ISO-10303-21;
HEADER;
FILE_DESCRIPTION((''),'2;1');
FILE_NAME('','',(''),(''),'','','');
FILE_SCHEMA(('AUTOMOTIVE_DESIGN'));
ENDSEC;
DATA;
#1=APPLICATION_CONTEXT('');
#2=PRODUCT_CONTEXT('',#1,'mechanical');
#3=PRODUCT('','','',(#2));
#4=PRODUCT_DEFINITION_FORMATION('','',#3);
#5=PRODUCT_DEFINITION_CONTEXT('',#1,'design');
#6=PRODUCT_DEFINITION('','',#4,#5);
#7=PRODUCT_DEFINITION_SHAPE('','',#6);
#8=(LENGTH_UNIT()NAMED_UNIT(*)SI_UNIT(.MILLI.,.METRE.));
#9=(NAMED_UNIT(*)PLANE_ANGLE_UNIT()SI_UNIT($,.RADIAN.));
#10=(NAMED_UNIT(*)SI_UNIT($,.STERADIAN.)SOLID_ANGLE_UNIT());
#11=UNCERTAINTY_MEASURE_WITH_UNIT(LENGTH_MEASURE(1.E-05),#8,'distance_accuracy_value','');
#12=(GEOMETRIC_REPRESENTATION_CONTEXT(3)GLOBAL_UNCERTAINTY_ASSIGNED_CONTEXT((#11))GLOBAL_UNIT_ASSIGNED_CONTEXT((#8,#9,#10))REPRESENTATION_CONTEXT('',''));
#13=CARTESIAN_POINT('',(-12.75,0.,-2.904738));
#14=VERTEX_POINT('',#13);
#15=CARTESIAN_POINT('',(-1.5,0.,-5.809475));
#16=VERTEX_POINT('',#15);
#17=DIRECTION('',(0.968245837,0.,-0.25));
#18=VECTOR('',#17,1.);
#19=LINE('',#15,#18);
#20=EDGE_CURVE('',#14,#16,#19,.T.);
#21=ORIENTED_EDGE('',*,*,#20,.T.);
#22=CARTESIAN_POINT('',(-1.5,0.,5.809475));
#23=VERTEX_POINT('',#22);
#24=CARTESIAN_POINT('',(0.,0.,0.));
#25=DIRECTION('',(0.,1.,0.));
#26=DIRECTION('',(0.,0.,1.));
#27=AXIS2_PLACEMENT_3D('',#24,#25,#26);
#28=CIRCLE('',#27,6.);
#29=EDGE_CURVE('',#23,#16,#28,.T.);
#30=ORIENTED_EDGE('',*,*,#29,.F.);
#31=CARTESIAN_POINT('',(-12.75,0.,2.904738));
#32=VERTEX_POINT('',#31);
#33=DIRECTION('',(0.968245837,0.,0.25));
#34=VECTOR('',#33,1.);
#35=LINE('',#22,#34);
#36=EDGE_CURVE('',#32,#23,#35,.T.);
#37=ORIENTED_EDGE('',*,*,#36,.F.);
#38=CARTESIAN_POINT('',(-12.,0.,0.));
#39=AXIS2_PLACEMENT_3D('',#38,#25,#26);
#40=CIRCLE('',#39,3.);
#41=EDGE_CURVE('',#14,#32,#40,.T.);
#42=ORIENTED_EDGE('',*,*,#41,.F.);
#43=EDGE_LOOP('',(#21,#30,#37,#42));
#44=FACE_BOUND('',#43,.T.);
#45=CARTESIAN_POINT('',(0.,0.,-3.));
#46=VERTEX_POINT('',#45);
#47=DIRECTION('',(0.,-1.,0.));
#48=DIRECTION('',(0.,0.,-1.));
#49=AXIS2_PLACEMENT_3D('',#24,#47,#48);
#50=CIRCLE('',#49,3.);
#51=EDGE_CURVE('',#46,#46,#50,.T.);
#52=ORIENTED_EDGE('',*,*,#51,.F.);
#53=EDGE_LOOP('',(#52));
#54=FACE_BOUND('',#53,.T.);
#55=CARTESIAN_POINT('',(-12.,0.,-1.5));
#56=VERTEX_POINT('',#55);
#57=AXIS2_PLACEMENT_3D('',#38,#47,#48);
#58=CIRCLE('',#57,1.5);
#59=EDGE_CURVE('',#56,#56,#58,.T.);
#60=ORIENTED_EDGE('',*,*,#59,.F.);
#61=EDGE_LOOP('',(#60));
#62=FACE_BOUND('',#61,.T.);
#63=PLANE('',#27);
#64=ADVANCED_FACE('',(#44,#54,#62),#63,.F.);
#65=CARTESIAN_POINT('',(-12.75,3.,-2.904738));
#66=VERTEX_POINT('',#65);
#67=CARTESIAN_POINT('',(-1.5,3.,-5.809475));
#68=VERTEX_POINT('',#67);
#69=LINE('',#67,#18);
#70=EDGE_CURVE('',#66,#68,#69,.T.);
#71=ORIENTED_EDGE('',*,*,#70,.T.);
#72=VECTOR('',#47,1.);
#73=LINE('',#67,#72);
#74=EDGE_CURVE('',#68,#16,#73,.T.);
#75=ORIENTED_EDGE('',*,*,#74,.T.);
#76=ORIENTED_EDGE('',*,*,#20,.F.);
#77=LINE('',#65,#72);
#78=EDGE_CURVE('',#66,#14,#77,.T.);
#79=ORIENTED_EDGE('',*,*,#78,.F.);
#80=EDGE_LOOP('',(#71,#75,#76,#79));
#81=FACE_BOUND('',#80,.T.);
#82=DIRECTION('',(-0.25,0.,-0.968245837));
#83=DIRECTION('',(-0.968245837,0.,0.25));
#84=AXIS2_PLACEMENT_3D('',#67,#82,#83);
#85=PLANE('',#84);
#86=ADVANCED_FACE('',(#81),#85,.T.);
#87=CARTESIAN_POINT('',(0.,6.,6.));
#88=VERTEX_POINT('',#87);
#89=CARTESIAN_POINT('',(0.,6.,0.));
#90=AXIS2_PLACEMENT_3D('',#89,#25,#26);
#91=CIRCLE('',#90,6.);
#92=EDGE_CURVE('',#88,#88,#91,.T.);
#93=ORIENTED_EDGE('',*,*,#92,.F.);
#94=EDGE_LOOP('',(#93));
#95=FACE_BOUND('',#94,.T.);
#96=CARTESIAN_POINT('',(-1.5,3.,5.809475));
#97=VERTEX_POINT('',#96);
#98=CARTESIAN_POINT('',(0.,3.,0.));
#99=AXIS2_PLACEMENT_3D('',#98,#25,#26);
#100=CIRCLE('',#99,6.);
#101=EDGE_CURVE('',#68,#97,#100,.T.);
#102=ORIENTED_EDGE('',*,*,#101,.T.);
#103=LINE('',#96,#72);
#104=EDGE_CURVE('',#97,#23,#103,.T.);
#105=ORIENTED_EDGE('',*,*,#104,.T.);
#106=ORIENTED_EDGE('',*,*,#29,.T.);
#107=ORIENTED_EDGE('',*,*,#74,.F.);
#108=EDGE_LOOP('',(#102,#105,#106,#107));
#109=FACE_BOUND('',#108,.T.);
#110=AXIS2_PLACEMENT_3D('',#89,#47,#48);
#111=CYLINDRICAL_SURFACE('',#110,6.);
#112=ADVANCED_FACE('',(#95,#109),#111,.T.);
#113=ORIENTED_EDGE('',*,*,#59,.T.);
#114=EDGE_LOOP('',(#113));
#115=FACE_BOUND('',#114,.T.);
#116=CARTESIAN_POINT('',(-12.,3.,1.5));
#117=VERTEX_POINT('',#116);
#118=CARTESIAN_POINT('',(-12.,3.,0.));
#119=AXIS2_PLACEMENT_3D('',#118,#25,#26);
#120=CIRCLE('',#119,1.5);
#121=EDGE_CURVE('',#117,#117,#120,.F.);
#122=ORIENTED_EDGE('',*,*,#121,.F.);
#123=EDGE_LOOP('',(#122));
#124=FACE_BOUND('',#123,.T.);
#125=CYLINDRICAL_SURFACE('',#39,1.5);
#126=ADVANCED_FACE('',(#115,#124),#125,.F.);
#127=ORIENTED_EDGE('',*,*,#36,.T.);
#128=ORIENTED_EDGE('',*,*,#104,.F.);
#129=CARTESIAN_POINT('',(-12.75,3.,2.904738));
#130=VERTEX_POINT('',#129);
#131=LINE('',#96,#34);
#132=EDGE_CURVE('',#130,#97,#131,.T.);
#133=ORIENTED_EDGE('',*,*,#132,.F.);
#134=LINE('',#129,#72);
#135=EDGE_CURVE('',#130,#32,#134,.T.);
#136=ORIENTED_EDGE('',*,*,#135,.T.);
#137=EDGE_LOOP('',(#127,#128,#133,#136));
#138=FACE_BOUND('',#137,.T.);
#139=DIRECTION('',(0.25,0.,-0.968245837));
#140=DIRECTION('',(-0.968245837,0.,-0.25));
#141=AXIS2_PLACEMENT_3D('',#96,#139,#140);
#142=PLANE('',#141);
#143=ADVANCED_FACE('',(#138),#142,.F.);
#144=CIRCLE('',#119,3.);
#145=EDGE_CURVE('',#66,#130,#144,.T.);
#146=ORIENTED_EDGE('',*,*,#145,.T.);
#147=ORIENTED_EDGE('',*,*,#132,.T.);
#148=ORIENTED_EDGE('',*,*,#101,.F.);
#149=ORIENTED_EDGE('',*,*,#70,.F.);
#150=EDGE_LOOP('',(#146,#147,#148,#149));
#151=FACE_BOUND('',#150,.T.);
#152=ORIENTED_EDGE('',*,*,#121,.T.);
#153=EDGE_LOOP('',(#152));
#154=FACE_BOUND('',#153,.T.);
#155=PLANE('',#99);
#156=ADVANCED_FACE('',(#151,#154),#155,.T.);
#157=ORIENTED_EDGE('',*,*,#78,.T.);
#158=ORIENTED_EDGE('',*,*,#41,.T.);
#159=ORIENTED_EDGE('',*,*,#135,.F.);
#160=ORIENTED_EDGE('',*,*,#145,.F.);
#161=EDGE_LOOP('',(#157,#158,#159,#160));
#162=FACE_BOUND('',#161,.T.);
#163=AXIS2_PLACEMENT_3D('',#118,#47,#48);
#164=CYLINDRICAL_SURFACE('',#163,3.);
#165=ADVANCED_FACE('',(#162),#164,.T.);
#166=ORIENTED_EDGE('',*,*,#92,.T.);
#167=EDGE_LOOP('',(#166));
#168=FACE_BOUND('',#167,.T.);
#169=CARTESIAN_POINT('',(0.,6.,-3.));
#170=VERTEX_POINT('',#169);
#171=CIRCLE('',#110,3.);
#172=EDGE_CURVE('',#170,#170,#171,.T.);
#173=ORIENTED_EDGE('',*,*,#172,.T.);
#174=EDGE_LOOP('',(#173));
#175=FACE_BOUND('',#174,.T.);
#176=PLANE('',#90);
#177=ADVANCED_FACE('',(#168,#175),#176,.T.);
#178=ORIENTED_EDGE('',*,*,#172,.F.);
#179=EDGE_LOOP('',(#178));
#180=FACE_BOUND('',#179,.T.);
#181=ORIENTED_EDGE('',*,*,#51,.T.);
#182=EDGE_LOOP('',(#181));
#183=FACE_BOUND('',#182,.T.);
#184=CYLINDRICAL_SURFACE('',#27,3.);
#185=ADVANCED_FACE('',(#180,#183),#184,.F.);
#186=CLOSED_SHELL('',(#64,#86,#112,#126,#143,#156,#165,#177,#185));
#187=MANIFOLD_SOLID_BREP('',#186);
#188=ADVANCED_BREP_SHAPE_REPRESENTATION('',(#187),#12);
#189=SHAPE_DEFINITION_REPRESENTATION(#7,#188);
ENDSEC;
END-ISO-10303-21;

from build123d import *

# Parameters (mm, degrees)
BOSS_EXTRUDE1_DEPTH = 6
BOSS_EXTRUDE2_DEPTH = 3
SKETCH2_R           = 3
SKETCH2_R_2         = 1.5
CUT_EXTRUDE1_DEPTH  = 18.23368794


with BuildPart() as part:
    # Sketch1 → Boss-Extrude1 (new body)
    with BuildSketch(Plane(origin=(0, 0, 0), x_dir=(1, 0, 0), z_dir=(0, 1, 0))):
        with BuildLine():
            ThreePointArc((6, 0), (3.674234614, 4.74341649), (-1.5, 5.809475019))
            ThreePointArc((-1.5, 5.809475019), (-6, 0), (-1.5, -5.809475019))
            ThreePointArc((-1.5, -5.809475019), (3.674234614, -4.74341649), (6, 0))
        make_face()
    extrude(amount=BOSS_EXTRUDE1_DEPTH)

    # Sketch1<3> → Boss-Extrude2 (add)
    with BuildSketch(Plane(origin=(0, 0, 0), x_dir=(1, 0, 0), z_dir=(0, 1, 0))):
        with BuildLine():
            Line((-1.5, 5.809475019), (-12.75, 2.90473751))
            ThreePointArc((-12.75, 2.90473751), (-15, 0), (-12.75, -2.90473751))
            Line((-12.75, -2.90473751), (-1.5, -5.809475019))
            ThreePointArc((-1.5, -5.809475019), (-6, 0), (-1.5, 5.809475019))
        make_face()
    extrude(amount=BOSS_EXTRUDE2_DEPTH)

    # Sketch2 → Cut-Extrude1 (cut, through all)
    with BuildSketch(Plane.XZ.offset(-6)):
        Circle(SKETCH2_R)
        with Locations((-12, 0)):
            Circle(SKETCH2_R_2)
    extrude(amount=CUT_EXTRUDE1_DEPTH, mode=Mode.SUBTRACT)


solid = part.part
